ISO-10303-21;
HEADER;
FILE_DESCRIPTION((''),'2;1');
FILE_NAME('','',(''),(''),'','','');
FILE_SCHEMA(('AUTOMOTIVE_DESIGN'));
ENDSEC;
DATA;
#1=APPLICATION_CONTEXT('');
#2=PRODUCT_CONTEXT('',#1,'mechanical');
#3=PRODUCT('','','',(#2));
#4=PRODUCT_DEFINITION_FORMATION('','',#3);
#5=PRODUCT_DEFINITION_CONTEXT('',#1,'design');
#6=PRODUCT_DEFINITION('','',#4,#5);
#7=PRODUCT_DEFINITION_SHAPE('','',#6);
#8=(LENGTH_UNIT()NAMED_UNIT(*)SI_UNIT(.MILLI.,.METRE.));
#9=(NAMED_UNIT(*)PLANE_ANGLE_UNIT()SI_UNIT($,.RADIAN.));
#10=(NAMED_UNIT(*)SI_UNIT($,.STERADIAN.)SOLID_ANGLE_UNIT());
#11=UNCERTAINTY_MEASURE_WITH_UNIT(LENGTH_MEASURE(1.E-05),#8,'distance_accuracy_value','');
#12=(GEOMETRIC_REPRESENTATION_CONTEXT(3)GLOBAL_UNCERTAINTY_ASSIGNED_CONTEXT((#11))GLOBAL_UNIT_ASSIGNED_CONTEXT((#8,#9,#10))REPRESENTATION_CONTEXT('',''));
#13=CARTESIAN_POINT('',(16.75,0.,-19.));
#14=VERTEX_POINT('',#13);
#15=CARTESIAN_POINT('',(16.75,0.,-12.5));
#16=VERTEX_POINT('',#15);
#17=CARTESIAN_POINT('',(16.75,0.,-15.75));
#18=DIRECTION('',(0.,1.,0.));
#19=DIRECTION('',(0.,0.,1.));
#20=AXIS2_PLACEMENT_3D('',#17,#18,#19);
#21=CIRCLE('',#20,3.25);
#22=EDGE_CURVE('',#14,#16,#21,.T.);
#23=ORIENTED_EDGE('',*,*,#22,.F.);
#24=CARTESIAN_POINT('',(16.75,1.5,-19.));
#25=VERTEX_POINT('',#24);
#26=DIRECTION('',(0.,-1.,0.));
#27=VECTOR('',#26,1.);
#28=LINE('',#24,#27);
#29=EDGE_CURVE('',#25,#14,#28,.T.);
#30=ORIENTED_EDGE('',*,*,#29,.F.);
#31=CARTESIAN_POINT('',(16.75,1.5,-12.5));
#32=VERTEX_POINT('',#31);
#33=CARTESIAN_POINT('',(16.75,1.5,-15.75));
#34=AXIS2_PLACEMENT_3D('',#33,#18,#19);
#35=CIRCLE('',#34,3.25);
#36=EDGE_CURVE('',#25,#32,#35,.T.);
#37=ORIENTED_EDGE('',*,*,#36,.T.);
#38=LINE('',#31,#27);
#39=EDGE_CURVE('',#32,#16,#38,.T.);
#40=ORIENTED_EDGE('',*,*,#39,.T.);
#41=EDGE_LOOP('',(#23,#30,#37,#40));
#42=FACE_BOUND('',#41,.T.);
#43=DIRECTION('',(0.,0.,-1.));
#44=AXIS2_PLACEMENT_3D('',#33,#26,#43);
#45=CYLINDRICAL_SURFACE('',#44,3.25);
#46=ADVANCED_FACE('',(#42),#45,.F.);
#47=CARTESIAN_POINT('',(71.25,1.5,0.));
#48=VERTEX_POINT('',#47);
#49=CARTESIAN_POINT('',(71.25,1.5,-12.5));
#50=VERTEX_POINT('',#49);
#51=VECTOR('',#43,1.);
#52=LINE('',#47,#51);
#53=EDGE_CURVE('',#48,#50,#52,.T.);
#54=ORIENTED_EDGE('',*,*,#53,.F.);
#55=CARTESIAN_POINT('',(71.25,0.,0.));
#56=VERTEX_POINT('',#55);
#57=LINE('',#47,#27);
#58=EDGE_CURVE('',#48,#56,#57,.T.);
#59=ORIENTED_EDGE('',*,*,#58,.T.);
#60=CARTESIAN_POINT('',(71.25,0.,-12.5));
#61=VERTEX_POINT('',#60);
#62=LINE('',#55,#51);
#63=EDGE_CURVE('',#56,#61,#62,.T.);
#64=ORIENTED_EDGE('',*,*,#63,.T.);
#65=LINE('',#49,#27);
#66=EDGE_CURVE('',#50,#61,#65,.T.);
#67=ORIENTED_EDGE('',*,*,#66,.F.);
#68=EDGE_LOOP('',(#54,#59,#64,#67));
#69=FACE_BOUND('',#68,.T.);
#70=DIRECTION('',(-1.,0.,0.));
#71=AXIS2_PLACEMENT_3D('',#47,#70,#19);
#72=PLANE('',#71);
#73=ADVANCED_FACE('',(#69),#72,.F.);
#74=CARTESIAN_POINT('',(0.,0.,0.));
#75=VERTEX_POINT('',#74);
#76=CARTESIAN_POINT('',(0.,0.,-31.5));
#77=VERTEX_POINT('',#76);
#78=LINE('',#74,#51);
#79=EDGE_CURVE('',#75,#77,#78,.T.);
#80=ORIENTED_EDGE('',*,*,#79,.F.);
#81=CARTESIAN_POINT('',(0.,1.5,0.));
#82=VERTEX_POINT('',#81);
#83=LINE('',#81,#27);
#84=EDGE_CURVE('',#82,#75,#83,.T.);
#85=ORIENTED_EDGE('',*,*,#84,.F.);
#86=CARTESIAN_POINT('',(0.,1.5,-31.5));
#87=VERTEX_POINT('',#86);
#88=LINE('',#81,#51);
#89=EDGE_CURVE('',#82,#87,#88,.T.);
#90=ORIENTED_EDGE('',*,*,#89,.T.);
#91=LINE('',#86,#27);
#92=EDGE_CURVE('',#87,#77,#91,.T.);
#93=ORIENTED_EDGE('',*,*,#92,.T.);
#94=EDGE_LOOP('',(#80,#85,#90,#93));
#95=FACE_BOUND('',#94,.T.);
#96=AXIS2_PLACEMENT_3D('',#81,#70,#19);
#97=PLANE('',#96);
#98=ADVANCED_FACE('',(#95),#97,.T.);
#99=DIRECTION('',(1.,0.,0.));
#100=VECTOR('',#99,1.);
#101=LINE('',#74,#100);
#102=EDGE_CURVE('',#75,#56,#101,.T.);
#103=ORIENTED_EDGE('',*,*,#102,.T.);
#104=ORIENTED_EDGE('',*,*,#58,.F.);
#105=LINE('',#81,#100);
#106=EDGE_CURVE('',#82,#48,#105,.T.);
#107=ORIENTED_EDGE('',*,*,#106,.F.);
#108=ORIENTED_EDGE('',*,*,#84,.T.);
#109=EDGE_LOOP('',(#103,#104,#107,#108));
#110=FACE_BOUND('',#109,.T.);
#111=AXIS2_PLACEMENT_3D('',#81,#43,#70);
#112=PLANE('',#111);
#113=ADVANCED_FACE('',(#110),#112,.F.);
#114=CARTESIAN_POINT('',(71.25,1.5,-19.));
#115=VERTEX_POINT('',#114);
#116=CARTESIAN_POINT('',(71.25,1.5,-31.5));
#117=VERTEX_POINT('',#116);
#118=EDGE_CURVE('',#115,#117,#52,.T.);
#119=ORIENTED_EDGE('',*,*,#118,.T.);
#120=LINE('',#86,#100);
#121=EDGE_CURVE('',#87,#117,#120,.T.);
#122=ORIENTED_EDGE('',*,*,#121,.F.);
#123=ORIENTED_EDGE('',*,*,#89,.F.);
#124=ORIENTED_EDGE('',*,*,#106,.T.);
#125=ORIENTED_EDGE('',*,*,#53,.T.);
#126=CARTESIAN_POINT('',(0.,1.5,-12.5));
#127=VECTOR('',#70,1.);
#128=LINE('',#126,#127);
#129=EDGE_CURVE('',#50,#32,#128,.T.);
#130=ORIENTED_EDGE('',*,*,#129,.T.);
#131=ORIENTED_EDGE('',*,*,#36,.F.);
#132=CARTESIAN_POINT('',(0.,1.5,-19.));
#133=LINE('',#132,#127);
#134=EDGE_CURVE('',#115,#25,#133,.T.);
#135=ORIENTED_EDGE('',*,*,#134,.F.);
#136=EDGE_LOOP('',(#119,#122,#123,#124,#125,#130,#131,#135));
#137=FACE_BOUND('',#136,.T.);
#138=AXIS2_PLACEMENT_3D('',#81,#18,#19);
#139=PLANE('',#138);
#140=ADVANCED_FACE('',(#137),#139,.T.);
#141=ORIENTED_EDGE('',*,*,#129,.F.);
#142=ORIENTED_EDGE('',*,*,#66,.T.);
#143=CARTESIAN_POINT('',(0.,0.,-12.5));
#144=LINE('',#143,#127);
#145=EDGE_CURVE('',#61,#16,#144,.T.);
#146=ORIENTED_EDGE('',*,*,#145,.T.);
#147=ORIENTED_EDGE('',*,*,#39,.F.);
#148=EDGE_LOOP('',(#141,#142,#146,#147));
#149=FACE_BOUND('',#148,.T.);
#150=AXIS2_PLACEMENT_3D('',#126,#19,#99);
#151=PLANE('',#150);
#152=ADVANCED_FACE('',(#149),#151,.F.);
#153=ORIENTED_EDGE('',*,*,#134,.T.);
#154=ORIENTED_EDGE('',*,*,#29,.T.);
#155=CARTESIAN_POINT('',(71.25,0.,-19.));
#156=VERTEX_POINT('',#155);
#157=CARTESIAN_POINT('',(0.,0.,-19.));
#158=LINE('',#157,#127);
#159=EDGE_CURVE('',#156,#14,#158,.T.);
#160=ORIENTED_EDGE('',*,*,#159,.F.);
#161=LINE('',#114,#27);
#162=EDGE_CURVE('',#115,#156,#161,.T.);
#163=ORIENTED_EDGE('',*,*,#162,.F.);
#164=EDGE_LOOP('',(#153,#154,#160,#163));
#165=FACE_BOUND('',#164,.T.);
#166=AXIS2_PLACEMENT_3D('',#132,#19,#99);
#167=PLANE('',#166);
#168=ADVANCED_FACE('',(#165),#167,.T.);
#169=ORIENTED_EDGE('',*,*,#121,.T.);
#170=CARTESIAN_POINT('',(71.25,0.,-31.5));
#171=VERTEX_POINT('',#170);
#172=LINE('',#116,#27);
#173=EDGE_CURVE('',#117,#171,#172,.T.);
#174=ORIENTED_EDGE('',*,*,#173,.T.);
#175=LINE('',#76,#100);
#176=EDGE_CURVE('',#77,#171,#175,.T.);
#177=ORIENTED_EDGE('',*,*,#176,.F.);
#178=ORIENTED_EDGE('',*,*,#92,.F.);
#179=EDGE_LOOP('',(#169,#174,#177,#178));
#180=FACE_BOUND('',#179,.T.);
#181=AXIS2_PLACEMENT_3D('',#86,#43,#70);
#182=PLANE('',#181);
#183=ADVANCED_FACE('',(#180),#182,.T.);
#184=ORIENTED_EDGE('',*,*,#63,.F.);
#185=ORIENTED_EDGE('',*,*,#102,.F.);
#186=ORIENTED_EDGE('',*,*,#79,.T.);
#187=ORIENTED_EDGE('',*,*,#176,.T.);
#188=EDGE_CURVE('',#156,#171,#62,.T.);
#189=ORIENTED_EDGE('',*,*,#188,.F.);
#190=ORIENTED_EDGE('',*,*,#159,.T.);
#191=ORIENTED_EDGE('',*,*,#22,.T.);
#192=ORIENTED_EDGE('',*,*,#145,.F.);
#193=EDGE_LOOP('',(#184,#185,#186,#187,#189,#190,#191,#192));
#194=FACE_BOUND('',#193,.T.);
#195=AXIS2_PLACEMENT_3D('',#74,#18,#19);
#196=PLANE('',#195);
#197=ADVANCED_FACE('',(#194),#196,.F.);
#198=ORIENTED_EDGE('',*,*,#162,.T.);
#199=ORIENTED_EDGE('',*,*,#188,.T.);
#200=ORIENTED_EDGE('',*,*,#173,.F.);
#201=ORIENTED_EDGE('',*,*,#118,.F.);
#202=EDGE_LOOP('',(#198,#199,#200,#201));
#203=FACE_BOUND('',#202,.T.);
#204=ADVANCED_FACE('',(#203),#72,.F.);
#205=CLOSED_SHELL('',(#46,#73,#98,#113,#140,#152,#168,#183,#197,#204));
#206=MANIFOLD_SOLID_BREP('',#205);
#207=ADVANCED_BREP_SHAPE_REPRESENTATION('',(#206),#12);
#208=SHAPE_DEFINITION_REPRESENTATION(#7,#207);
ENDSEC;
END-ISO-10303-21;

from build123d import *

# Parameters (mm, degrees)
BOSS_EXTRUDE1_DEPTH = 1.5


with BuildPart() as part:
    # Sketch1 → Boss-Extrude1 (new body)
    with BuildSketch(Plane(origin=(0, 0, 0), x_dir=(1, 0, 0), z_dir=(0, 1, 0))):
        with BuildLine():
            Line((0, 31.5), (0, 0))
            Line((0, 0), (71.25, 0))
            Line((71.25, 0), (71.25, 12.5))
            Line((71.25, 12.5), (16.75, 12.5))
            ThreePointArc((16.75, 12.5), (13.5, 15.75), (16.75, 19))
            Line((16.75, 19), (71.25, 19))
            Line((71.25, 19), (71.25, 31.5))
            Line((71.25, 31.5), (0, 31.5))
        make_face()
    extrude(amount=BOSS_EXTRUDE1_DEPTH)


solid = part.part
